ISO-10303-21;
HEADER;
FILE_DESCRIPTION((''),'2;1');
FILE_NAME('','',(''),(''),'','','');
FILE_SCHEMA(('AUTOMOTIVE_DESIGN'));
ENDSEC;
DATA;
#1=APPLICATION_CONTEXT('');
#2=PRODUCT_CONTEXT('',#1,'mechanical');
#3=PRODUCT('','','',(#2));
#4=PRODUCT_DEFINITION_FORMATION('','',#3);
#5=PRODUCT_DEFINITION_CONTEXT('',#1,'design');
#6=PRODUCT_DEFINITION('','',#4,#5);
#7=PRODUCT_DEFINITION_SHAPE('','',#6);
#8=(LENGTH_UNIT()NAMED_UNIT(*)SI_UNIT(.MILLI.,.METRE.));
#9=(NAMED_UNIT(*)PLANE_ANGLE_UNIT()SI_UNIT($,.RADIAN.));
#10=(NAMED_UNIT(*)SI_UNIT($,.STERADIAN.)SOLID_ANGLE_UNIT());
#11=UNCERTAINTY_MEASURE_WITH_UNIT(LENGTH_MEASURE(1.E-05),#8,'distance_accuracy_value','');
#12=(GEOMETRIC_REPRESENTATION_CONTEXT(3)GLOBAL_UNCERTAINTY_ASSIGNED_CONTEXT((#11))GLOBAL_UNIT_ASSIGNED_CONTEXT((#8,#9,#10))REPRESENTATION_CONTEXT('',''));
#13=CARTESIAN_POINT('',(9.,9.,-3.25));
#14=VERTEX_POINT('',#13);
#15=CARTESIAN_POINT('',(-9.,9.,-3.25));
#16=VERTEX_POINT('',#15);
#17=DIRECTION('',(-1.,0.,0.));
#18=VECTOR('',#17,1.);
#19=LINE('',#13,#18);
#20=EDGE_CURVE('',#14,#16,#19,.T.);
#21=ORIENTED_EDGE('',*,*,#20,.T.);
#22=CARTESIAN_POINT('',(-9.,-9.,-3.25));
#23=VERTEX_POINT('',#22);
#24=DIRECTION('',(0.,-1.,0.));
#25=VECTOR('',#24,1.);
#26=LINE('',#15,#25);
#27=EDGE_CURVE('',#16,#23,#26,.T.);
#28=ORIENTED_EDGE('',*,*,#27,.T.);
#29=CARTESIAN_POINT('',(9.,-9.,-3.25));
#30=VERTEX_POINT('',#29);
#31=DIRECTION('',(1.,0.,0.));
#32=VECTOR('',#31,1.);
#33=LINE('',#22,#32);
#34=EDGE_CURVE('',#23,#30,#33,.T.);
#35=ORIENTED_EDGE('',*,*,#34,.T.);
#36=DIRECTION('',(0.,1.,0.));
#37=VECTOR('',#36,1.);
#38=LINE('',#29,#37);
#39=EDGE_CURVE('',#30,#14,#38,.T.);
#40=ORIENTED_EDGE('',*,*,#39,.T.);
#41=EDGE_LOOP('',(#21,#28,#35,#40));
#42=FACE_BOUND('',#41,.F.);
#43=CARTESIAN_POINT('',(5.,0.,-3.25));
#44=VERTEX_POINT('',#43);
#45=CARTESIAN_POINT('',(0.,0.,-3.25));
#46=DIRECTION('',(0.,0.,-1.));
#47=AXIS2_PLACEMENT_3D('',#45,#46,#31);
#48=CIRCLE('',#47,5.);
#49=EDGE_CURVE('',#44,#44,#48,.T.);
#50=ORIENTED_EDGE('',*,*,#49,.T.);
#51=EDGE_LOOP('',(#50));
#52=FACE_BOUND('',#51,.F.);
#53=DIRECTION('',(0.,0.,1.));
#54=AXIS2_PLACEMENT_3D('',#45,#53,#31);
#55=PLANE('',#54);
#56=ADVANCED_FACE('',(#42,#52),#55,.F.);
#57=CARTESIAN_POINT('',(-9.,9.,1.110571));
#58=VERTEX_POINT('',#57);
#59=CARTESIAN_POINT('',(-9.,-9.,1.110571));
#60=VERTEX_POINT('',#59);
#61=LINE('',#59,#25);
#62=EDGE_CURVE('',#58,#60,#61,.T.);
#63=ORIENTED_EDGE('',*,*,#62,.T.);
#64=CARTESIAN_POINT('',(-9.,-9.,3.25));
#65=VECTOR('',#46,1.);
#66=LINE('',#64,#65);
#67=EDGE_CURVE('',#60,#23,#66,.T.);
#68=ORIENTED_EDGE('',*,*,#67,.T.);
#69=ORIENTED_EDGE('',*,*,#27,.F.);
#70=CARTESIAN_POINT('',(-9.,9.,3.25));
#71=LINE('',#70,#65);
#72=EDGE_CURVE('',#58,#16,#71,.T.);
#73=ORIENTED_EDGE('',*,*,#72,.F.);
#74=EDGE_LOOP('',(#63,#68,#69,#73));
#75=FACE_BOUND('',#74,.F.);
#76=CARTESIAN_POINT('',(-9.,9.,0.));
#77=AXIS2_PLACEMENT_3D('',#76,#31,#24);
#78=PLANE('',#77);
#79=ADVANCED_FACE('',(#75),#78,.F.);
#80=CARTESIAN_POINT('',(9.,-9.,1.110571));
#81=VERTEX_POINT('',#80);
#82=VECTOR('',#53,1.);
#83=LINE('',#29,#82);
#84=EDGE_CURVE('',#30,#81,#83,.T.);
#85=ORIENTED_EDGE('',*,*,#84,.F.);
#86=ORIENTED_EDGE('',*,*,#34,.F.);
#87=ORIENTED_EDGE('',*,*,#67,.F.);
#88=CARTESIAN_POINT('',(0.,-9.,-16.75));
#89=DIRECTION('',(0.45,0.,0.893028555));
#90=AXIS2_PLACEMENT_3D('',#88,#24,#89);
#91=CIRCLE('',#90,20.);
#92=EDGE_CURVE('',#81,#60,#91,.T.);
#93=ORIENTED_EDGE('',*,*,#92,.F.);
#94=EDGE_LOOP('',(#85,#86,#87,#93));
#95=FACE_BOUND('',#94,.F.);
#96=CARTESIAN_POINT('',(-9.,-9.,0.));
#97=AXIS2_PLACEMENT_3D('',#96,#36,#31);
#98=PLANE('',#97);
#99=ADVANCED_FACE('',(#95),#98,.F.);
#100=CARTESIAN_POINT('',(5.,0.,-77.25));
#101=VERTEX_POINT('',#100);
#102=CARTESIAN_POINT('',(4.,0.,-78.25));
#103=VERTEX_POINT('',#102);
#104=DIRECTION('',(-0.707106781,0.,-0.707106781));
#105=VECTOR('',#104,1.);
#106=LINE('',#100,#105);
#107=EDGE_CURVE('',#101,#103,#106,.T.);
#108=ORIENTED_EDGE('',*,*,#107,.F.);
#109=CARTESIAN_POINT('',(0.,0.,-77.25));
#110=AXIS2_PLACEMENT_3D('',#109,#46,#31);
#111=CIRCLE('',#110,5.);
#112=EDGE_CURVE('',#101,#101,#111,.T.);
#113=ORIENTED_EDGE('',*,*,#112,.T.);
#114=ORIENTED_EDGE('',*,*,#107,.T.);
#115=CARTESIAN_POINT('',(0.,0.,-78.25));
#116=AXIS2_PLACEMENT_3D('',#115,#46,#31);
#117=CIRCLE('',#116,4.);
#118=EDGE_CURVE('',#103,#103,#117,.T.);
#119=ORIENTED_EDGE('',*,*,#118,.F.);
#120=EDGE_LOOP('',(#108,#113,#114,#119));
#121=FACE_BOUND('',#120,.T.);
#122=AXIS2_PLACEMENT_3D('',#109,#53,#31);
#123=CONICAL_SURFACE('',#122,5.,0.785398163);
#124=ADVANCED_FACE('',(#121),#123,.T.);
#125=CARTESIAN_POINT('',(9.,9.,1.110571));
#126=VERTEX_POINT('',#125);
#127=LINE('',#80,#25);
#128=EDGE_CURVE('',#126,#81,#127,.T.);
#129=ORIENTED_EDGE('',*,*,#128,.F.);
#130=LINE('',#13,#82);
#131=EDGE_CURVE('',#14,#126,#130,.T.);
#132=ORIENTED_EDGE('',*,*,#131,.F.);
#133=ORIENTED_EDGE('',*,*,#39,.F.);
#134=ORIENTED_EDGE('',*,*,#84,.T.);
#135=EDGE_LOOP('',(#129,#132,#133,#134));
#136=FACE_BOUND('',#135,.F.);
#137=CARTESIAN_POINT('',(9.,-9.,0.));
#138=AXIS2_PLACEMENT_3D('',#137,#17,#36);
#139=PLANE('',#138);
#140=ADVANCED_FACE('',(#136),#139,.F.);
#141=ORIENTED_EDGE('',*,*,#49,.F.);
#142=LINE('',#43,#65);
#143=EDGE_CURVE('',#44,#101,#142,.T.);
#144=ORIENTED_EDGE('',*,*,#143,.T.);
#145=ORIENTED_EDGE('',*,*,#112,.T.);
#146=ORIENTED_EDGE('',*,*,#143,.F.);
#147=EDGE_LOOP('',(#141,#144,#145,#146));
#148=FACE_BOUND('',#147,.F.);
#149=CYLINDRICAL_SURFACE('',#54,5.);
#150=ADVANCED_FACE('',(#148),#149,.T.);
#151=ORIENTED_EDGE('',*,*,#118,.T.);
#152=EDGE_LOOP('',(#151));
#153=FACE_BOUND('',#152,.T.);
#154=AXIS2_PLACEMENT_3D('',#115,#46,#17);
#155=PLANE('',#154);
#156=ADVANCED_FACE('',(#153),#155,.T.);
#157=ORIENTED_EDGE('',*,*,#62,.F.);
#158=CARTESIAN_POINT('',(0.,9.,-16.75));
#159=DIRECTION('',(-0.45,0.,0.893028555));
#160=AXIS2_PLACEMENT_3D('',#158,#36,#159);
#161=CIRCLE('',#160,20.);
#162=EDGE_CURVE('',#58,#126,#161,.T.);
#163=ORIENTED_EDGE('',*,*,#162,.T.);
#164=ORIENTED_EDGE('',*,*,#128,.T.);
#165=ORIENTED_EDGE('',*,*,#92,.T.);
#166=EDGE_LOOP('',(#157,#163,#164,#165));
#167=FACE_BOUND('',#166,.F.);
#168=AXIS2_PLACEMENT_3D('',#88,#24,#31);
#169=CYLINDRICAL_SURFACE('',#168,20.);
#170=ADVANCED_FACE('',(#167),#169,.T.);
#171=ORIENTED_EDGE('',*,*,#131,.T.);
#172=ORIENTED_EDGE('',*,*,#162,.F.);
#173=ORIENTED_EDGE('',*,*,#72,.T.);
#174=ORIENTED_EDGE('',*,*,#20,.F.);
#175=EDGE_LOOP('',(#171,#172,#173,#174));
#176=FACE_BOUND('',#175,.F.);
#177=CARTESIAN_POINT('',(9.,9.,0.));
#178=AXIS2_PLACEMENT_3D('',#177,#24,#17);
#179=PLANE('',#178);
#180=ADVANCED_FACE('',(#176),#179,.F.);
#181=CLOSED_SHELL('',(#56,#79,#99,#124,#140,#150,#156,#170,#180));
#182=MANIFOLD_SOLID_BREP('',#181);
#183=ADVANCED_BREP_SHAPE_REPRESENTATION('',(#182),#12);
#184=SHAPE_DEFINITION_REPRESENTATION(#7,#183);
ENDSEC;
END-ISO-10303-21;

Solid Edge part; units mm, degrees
sketch "Sketch1" plane through (0, 0, 0) normal (0, 0, 1) x (1, 0, 0)
  line L0 (-9, -9) -> (9, -9)
  line L1 (9, -9) -> (9, 9)
  line L2 (9, 9) -> (-9, 9)
  line L3 (-9, 9) -> (-9, -9)
extrude "Protrusion1" add sketch "Sketch1" along normal mid plane 6.5
sketch "Sketch2" plane through (0, 0, -3.25) normal (0, 0, -1) x (1, 0, 0)
  circle A0 centre (0, 0) radius 5
extrude "ExtrudedProtrusion_2" add sketch "Sketch2" along normal blind 75 and the other way blind 35.9412
sketch "Sketch3" plane through (0, -9, 0) normal (0, -1, 0) x (1, 0, 0)
  line L0 (23.9875, 3.25) -> (23.9875, 36.6911)
  line L1 (23.9875, 36.6911) -> (-10.6415, 36.6911)
  line L2 (-10.6415, 36.6911) -> (-10.6415, 3.25)
  line L3 (-10.6415, 3.25) -> (9, 3.25)
  line L4 (9, 3.25) -> (23.9875, 3.25)
extrude "Cutout1" cut sketch "Sketch3" against normal through all and the other way through all
cosmetic_thread "Thread_1" size "Tr 10 x 2" thread depth 26
chamfer "Chamfer_1" distance 1 angle 45 1 edges at (-5, 0, -78.25)
sketch "Sketch4" plane through (0, -9, 0) normal (0, -1, 0) x (1, 0, 0)
  line L0 (-14.1953, 12.3388) -> (14.0888, 12.3388)
  line L1 (14.0888, 12.3388) -> (14.0888, -2.5547)
  arc A0 (-14.1953, -2.6612) -> (14.0888, -2.5547) centre (0, -16.75) cw
  line L2 (-14.1953, -2.6612) -> (-14.1953, 12.3388)
extrude "ExtrudedCutout_3" cut sketch "Sketch4" against normal blind 36.133 and the other way blind 1.0534
